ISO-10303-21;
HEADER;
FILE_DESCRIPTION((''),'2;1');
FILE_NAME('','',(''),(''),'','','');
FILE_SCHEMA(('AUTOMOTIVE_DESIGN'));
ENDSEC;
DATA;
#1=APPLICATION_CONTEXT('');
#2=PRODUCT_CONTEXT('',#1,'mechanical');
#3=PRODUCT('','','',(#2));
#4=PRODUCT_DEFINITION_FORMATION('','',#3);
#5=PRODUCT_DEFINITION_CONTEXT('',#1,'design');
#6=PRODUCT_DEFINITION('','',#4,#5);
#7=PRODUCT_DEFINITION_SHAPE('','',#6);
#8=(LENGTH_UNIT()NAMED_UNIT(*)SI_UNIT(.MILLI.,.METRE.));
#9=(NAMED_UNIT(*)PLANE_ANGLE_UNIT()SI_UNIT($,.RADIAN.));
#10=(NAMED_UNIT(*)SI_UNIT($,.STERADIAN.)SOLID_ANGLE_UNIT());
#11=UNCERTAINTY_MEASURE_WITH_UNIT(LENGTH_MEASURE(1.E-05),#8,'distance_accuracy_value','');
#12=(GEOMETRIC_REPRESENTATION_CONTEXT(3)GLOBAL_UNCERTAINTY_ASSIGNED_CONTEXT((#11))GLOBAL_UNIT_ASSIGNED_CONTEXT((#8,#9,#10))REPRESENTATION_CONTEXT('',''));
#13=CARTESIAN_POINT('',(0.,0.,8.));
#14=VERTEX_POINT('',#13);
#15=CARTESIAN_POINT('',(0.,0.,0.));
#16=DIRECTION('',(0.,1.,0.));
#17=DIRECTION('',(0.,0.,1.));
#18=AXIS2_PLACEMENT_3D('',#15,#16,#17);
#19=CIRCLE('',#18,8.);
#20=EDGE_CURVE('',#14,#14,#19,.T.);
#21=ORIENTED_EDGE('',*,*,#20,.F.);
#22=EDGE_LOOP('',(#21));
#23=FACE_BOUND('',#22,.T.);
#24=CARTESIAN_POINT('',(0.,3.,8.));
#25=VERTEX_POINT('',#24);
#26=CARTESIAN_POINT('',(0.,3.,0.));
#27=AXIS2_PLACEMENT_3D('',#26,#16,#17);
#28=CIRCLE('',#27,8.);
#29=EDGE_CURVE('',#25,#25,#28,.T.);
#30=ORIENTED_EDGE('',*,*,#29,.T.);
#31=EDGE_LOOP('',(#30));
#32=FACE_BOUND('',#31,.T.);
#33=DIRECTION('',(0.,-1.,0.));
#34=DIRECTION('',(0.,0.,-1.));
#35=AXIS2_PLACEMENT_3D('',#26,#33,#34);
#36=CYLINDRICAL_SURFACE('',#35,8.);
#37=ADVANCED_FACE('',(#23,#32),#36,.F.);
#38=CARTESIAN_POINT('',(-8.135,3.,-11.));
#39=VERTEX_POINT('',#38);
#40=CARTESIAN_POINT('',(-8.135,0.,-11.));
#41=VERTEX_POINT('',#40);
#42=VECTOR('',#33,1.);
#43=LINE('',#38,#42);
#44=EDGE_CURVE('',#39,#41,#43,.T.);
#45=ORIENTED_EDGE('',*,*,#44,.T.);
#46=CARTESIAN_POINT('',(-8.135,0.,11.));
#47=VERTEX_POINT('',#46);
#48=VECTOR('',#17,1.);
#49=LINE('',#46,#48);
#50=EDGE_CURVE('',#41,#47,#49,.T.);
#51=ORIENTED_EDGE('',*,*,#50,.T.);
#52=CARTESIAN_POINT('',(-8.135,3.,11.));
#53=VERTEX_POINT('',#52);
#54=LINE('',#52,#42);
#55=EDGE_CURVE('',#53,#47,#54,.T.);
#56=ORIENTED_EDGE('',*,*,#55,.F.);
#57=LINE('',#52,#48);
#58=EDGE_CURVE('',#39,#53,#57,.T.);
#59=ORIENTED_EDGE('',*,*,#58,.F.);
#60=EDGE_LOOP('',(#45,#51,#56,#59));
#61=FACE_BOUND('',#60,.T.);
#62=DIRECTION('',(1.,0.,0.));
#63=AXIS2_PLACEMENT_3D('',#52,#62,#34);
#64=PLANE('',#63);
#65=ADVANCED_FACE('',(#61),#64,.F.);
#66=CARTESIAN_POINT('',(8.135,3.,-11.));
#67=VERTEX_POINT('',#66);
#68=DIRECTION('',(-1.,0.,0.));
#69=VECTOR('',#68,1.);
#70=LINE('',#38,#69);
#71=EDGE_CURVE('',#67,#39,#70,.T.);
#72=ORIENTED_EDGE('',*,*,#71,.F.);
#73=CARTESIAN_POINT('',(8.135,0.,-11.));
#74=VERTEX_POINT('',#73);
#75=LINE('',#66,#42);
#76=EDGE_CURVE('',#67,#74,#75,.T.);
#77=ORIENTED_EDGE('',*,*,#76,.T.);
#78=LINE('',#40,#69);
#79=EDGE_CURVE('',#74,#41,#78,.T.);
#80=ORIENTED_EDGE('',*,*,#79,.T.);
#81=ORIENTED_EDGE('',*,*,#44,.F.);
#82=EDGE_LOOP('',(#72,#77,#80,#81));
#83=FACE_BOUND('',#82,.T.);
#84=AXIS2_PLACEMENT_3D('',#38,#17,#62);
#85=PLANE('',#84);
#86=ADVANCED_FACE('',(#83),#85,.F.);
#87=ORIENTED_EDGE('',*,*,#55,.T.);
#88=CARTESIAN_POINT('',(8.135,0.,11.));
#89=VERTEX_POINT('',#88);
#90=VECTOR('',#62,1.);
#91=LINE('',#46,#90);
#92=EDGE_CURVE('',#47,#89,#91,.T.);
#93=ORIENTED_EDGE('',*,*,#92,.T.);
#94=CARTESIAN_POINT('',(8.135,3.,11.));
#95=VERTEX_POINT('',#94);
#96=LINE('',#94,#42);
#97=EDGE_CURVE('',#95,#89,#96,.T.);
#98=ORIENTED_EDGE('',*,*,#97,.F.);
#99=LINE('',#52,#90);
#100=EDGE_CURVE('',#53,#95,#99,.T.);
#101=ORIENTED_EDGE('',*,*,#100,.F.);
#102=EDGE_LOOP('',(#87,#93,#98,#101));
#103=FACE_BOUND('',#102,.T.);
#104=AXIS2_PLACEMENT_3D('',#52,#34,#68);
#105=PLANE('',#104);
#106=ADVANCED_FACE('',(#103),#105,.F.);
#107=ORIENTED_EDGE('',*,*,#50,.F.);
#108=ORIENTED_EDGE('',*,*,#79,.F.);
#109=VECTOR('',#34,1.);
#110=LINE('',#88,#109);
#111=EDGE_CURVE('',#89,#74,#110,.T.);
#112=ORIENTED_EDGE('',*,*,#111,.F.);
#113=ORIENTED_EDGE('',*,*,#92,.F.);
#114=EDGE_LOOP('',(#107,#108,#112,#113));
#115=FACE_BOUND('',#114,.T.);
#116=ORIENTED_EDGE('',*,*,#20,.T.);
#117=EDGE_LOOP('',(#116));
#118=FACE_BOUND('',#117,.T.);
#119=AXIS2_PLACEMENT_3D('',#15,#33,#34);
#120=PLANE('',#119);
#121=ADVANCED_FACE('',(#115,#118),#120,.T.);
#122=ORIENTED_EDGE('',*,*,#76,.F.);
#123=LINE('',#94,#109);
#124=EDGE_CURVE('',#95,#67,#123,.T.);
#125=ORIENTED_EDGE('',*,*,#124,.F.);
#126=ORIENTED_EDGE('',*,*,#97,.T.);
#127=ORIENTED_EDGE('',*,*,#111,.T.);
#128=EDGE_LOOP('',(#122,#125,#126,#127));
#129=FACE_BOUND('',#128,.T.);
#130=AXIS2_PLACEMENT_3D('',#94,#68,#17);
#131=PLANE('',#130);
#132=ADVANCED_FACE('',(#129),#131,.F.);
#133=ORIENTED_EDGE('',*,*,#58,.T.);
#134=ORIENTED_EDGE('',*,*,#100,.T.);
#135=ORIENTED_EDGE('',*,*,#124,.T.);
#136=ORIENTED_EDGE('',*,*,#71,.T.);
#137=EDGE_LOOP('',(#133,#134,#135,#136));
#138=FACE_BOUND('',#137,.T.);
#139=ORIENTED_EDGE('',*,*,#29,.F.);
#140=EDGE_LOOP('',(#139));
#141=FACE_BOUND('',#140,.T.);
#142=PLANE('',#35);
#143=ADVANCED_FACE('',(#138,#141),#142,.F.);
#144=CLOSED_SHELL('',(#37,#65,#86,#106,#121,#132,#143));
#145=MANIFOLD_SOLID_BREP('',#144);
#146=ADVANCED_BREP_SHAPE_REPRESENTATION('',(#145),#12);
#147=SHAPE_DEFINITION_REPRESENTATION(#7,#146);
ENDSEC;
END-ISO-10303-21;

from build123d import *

# Parameters (mm, degrees)
SKETCH1_W           = 16.27
SKETCH1_H           = 22
SKETCH1_R           = 8
BOSS_EXTRUDE1_DEPTH = 3


with BuildPart() as part:
    # Sketch1 → Boss-Extrude1 (new body)
    with BuildSketch(Plane(origin=(0, 0, 0), x_dir=(1, 0, 0), z_dir=(0, 1, 0))):
        Rectangle(SKETCH1_W, SKETCH1_H)
        Circle(SKETCH1_R, mode=Mode.SUBTRACT)
    extrude(amount=BOSS_EXTRUDE1_DEPTH)


solid = part.part
